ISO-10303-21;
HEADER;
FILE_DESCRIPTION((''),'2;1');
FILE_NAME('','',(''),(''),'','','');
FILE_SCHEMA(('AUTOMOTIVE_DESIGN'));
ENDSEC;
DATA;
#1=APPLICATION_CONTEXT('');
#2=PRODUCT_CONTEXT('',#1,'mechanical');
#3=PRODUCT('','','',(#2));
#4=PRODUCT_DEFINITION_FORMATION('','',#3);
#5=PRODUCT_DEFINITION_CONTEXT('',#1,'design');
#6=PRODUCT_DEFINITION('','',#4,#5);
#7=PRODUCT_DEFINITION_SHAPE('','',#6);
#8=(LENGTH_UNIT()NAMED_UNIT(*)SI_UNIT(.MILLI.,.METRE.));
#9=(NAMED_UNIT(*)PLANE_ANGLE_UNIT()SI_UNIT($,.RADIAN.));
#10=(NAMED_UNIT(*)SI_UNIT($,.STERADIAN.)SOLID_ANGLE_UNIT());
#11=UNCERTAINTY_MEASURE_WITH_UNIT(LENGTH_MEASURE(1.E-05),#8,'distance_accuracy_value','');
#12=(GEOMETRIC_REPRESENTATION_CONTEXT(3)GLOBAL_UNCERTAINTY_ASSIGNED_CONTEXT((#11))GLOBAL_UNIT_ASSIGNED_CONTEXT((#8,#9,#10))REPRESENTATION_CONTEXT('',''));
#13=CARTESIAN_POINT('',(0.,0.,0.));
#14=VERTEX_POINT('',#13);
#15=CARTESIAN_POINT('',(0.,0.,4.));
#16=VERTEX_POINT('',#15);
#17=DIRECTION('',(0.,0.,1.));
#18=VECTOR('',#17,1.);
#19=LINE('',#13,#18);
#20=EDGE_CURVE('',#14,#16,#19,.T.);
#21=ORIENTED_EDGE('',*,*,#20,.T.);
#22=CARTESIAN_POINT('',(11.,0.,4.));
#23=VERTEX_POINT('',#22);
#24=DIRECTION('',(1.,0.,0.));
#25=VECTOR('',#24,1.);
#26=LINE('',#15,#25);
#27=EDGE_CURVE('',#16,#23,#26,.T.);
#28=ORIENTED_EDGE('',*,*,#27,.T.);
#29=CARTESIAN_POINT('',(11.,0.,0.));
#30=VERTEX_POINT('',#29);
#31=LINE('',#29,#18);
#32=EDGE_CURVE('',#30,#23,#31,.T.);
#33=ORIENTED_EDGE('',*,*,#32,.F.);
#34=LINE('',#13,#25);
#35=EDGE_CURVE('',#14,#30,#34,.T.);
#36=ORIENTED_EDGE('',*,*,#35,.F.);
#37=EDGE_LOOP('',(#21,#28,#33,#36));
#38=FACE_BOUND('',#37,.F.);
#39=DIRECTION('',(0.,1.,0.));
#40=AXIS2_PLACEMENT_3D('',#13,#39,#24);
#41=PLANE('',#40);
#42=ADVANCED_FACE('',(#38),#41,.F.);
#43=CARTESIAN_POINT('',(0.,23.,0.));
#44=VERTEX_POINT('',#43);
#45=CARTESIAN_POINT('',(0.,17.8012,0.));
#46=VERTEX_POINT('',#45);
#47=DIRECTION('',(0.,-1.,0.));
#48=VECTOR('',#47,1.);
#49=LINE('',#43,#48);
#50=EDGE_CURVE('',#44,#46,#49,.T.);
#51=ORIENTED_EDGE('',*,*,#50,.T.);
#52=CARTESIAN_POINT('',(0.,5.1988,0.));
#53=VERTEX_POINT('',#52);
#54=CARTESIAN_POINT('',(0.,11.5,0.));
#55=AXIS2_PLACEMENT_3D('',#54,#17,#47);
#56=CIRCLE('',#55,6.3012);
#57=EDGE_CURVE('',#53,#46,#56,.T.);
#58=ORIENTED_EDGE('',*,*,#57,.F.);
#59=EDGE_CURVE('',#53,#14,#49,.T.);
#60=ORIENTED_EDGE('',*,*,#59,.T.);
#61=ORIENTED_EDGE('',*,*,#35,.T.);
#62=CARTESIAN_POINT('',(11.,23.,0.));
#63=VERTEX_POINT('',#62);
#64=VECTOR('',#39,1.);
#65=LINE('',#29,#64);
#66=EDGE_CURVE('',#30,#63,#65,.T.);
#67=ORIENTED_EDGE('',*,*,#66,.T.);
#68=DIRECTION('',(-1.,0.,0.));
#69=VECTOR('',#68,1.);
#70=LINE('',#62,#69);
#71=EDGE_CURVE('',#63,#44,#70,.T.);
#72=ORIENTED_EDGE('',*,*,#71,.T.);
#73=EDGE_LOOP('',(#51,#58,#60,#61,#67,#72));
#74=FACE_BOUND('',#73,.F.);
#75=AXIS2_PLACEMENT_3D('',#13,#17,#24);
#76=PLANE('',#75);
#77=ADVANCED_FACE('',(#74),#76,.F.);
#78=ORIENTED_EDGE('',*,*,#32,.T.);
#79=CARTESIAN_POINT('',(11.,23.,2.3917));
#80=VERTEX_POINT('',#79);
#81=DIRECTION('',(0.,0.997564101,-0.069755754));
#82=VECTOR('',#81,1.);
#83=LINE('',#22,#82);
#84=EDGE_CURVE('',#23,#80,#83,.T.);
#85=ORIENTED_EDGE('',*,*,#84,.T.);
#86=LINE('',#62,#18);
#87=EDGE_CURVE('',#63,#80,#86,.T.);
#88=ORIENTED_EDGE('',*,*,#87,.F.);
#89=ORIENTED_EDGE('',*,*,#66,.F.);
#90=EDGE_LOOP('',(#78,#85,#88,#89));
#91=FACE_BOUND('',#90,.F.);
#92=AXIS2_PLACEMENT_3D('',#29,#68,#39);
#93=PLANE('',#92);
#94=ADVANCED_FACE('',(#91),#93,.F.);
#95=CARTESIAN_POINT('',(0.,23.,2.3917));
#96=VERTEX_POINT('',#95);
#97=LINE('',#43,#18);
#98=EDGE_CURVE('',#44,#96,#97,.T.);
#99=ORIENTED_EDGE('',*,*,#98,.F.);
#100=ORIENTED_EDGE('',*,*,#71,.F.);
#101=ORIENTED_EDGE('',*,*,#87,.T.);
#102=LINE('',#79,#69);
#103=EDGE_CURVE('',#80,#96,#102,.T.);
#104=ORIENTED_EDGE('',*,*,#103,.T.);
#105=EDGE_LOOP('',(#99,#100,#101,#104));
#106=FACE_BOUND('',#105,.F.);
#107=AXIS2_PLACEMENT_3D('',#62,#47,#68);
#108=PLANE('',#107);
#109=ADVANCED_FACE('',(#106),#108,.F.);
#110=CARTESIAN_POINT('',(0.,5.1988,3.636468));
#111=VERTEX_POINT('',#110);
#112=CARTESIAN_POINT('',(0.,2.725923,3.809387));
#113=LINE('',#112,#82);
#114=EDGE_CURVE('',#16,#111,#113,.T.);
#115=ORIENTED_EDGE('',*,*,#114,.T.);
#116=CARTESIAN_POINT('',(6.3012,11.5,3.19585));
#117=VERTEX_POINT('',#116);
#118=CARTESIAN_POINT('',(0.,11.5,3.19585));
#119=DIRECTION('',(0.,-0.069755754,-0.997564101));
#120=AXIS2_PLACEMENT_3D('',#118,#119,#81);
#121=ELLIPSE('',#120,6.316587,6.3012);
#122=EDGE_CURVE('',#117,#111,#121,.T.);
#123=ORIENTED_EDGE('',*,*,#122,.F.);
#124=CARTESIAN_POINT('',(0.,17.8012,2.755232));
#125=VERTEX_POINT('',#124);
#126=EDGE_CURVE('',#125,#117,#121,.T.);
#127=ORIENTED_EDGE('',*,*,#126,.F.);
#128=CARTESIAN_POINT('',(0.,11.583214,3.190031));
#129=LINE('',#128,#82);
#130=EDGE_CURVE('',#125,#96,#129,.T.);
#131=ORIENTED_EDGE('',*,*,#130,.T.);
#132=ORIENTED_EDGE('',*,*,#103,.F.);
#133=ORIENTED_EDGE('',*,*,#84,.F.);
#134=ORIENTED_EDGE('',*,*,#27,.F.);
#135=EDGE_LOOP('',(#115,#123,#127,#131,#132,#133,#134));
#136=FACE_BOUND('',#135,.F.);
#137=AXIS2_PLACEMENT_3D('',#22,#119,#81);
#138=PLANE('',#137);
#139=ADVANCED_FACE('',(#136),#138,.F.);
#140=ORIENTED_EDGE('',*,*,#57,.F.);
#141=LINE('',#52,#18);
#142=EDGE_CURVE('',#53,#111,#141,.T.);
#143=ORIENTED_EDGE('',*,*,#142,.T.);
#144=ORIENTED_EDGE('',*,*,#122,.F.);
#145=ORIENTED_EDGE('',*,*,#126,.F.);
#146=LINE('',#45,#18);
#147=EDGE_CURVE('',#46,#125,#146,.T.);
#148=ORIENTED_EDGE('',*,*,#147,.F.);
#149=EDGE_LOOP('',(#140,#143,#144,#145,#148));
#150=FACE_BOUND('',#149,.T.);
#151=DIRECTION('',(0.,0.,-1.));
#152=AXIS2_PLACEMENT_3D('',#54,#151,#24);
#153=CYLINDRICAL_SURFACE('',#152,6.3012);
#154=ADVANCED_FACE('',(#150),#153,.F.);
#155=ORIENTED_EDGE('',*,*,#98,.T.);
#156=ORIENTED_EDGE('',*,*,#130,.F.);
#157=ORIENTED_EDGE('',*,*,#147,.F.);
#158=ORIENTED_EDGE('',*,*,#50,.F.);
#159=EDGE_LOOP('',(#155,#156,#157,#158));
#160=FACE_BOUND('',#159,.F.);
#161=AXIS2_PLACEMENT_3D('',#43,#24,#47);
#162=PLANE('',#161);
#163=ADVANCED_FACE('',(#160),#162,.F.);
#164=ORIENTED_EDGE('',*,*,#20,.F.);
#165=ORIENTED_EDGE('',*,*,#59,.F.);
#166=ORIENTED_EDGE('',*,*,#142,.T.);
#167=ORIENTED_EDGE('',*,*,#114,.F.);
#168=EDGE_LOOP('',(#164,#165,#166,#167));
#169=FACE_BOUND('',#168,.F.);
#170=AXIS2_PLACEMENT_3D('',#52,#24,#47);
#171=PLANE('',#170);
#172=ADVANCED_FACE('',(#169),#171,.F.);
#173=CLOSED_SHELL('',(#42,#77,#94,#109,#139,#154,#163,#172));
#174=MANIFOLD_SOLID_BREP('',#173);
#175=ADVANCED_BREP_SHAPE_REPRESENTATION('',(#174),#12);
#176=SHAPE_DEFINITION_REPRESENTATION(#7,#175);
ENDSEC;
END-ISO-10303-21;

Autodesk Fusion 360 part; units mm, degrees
sketch "Sketch1" plane through (0, 0, 0) normal (0, 0, 1) x (1, 0, 0)
  line L0 (0, 0) -> (11, 0)
  line L1 (11, 0) -> (11, 23)
  line L2 (11, 23) -> (0, 23)
  line L3 (0, 23) -> (0, 0)
  circle A0 centre (0, 11.5) radius 6.3012
  dimension "d1" = 11
  dimension "d2" = 23
  dimension "d3" = 12.6025
extrude "Extrude1" add sketch "Sketch1" along normal blind 4 contours L0 L1 L2 L3 A0
sketch "Sketch2" plane through (11, 0, 0) normal (1, 0, 0) x (0, 1, 0)
  line L0 (0, 0) -> (23, 0)
  line L1 (23, 0) -> (23, 4)
  line L2 (23, 4) -> (0, 4)
  line L3 (0, 4) -> (0, 0)
  line L4 (0, 4) -> (23, 2.3917)
  line L5 (0, 4) -> (23.0562, 4) construction
  dimension "d6" = 4
extrude "Extrude2" cut sketch "Sketch2" against normal blind 14 contours L1 L2 L4
